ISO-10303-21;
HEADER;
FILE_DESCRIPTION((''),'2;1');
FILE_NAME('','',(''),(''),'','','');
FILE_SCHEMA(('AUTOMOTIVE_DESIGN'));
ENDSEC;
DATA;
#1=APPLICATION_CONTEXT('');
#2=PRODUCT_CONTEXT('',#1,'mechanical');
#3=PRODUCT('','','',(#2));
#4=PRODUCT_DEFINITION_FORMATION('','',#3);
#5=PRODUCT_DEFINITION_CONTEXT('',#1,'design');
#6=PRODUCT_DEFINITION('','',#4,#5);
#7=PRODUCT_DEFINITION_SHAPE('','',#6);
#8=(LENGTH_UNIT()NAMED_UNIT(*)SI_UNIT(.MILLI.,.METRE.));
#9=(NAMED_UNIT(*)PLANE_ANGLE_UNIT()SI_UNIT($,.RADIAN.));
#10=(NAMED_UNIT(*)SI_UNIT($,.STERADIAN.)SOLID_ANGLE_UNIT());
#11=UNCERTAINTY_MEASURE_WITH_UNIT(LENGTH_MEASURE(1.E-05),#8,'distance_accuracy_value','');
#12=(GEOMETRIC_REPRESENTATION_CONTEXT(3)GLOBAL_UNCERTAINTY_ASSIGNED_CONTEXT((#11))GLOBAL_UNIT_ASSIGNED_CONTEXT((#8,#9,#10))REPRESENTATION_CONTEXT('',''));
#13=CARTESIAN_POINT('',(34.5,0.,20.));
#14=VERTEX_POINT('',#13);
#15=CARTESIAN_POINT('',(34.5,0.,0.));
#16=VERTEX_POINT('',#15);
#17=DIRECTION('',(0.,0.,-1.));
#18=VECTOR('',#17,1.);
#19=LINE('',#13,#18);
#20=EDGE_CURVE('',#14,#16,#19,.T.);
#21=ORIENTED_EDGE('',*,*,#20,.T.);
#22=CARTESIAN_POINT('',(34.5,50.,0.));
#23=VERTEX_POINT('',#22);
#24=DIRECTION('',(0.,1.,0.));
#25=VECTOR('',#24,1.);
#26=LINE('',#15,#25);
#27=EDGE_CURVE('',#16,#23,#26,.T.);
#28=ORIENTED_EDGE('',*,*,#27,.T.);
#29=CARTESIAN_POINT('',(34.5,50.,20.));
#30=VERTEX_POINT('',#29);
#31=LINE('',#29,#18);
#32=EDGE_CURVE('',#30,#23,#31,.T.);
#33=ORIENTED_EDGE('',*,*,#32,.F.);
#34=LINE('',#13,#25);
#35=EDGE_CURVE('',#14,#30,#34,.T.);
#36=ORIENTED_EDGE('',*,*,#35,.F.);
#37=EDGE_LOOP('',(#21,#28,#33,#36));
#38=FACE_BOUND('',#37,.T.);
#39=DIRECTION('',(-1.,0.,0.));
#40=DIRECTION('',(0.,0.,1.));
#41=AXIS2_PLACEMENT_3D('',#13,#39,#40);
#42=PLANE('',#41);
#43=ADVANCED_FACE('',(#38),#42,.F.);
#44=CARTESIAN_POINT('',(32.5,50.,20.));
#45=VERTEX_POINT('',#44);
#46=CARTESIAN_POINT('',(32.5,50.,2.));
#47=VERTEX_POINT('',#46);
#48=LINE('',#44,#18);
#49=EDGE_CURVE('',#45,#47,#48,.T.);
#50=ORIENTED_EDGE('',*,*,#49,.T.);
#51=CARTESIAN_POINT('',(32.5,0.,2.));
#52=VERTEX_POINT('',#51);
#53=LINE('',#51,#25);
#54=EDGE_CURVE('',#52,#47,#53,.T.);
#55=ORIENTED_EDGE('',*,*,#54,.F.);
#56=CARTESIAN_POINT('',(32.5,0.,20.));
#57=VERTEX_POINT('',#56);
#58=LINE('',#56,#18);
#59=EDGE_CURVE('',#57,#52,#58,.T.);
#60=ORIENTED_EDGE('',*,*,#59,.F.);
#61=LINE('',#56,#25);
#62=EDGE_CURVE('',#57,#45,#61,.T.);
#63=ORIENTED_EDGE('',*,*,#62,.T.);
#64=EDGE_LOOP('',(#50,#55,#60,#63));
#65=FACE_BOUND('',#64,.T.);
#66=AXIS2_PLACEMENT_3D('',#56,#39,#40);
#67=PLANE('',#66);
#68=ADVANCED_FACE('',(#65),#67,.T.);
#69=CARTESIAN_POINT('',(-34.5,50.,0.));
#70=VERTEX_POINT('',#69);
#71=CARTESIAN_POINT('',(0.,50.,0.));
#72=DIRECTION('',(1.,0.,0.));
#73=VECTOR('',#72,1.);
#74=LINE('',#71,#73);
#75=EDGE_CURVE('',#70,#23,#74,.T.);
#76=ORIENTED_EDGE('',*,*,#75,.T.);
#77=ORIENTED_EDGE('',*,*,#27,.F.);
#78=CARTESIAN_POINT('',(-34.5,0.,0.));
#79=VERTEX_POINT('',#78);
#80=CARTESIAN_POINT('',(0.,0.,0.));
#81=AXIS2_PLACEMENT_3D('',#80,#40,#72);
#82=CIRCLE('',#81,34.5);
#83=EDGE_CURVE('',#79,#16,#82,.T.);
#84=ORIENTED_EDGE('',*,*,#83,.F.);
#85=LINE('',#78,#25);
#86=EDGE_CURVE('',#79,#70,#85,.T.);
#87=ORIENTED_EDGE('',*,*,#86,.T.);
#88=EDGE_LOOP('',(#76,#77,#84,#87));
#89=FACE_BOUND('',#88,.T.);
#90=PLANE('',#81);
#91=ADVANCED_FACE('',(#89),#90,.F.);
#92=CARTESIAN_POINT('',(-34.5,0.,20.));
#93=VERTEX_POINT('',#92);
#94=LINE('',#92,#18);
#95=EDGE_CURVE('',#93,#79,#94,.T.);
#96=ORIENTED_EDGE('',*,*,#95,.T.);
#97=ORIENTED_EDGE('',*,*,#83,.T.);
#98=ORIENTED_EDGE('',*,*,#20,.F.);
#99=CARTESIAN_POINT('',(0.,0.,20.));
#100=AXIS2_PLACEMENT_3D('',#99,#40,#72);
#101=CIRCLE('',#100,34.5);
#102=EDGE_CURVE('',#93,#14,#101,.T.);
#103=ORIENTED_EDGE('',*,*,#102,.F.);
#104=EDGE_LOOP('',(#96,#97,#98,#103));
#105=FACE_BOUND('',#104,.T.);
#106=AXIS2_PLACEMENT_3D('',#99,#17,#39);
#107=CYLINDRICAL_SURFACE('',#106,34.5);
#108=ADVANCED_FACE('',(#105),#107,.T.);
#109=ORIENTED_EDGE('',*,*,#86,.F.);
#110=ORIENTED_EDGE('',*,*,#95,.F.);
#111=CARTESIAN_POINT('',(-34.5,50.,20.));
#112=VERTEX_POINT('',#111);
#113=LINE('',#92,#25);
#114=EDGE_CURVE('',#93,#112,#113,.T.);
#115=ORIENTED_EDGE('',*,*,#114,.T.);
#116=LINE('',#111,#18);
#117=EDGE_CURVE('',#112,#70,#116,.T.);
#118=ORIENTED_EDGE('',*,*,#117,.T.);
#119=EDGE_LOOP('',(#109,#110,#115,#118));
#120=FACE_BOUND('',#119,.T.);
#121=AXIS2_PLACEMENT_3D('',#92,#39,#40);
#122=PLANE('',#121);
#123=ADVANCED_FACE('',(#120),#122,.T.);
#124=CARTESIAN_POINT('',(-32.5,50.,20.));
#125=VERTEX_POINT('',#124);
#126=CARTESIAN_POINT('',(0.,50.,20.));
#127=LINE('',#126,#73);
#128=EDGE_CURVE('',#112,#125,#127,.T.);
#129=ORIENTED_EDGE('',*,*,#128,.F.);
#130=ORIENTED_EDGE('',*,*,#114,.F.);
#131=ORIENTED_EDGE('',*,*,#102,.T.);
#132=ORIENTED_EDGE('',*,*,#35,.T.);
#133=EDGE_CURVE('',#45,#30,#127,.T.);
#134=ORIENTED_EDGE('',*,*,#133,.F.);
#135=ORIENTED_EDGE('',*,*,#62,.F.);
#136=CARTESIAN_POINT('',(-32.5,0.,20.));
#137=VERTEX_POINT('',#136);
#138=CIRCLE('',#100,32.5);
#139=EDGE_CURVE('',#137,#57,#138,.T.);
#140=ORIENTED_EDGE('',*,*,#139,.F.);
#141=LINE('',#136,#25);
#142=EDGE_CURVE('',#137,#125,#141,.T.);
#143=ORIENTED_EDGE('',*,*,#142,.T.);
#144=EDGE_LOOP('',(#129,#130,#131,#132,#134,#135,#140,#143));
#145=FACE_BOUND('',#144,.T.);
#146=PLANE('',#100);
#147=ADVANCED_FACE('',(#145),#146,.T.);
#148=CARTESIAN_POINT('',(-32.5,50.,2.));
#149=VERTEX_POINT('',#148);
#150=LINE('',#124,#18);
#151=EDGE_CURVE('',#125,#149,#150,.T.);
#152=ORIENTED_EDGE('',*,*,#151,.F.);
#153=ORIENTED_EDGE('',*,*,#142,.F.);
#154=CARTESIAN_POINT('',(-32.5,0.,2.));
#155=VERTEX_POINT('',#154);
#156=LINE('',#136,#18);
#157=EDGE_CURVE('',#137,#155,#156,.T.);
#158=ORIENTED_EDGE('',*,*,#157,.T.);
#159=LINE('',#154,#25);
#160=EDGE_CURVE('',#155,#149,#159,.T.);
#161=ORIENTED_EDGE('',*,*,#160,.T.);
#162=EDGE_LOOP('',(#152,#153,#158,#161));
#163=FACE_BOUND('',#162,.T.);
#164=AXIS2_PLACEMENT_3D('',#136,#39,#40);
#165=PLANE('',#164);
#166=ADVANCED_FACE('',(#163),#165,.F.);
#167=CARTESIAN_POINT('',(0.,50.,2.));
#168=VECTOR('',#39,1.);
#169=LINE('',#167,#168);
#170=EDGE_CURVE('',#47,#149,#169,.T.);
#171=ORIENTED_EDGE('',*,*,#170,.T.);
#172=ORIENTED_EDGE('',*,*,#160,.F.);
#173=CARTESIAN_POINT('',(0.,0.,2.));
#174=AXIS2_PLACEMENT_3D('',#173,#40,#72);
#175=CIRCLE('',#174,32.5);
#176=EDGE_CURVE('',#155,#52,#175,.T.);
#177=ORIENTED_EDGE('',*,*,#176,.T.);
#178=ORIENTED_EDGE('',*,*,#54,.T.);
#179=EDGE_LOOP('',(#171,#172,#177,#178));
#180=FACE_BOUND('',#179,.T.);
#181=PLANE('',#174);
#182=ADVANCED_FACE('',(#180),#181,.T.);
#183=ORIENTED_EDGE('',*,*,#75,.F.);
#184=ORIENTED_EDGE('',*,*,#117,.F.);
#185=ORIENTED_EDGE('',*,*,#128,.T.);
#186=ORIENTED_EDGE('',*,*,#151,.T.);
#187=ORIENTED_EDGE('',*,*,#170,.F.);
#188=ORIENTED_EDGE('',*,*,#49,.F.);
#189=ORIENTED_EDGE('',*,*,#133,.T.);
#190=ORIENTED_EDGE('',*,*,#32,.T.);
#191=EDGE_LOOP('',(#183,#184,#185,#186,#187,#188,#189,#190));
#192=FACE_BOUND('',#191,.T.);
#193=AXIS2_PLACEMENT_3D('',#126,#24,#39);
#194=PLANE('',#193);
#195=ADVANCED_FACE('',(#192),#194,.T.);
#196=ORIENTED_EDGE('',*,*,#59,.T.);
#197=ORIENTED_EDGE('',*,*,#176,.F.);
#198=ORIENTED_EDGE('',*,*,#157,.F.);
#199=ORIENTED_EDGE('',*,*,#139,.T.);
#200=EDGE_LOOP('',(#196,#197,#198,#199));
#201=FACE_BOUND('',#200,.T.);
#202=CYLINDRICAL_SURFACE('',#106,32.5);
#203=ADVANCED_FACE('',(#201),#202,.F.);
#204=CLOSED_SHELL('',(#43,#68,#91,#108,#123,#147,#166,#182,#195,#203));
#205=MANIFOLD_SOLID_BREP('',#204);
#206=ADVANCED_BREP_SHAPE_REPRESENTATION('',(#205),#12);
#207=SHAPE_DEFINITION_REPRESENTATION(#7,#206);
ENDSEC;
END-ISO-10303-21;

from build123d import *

# Parameters (mm, degrees)
DODANIE_WYCI_GNI_CIE1_DEPTH = 20
DODANIE_WYCI_GNI_CIE2_DEPTH = 2


with BuildPart() as part:
    # Szkic1 → Dodanie-wyci_gni_cie1 (new body)
    with BuildSketch(Plane.XY):
        with BuildLine():
            ThreePointArc((-34.5, 0), (0, -34.5), (34.5, 0))
            Line((34.5, 0), (34.5, 50))
            Line((34.5, 50), (32.5, 50))
            Line((32.5, 50), (32.5, 0))
            ThreePointArc((32.5, 0), (0, -32.5), (-32.5, 0))
            Line((-32.5, 0), (-32.5, 50))
            Line((-32.5, 50), (-34.5, 50))
            Line((-34.5, 50), (-34.5, 0))
        make_face()
    extrude(amount=DODANIE_WYCI_GNI_CIE1_DEPTH)

    # Szkic1_3 → Dodanie-wyci_gni_cie2 (add)
    with BuildSketch(Plane.XY):
        with BuildLine():
            Line((32.5, 0), (32.5, 50))
            Line((32.5, 50), (-32.5, 50))
            Line((-32.5, 50), (-32.5, 0))
            ThreePointArc((-32.5, 0), (0, -32.5), (32.5, 0))
        make_face()
    extrude(amount=DODANIE_WYCI_GNI_CIE2_DEPTH)


solid = part.part
